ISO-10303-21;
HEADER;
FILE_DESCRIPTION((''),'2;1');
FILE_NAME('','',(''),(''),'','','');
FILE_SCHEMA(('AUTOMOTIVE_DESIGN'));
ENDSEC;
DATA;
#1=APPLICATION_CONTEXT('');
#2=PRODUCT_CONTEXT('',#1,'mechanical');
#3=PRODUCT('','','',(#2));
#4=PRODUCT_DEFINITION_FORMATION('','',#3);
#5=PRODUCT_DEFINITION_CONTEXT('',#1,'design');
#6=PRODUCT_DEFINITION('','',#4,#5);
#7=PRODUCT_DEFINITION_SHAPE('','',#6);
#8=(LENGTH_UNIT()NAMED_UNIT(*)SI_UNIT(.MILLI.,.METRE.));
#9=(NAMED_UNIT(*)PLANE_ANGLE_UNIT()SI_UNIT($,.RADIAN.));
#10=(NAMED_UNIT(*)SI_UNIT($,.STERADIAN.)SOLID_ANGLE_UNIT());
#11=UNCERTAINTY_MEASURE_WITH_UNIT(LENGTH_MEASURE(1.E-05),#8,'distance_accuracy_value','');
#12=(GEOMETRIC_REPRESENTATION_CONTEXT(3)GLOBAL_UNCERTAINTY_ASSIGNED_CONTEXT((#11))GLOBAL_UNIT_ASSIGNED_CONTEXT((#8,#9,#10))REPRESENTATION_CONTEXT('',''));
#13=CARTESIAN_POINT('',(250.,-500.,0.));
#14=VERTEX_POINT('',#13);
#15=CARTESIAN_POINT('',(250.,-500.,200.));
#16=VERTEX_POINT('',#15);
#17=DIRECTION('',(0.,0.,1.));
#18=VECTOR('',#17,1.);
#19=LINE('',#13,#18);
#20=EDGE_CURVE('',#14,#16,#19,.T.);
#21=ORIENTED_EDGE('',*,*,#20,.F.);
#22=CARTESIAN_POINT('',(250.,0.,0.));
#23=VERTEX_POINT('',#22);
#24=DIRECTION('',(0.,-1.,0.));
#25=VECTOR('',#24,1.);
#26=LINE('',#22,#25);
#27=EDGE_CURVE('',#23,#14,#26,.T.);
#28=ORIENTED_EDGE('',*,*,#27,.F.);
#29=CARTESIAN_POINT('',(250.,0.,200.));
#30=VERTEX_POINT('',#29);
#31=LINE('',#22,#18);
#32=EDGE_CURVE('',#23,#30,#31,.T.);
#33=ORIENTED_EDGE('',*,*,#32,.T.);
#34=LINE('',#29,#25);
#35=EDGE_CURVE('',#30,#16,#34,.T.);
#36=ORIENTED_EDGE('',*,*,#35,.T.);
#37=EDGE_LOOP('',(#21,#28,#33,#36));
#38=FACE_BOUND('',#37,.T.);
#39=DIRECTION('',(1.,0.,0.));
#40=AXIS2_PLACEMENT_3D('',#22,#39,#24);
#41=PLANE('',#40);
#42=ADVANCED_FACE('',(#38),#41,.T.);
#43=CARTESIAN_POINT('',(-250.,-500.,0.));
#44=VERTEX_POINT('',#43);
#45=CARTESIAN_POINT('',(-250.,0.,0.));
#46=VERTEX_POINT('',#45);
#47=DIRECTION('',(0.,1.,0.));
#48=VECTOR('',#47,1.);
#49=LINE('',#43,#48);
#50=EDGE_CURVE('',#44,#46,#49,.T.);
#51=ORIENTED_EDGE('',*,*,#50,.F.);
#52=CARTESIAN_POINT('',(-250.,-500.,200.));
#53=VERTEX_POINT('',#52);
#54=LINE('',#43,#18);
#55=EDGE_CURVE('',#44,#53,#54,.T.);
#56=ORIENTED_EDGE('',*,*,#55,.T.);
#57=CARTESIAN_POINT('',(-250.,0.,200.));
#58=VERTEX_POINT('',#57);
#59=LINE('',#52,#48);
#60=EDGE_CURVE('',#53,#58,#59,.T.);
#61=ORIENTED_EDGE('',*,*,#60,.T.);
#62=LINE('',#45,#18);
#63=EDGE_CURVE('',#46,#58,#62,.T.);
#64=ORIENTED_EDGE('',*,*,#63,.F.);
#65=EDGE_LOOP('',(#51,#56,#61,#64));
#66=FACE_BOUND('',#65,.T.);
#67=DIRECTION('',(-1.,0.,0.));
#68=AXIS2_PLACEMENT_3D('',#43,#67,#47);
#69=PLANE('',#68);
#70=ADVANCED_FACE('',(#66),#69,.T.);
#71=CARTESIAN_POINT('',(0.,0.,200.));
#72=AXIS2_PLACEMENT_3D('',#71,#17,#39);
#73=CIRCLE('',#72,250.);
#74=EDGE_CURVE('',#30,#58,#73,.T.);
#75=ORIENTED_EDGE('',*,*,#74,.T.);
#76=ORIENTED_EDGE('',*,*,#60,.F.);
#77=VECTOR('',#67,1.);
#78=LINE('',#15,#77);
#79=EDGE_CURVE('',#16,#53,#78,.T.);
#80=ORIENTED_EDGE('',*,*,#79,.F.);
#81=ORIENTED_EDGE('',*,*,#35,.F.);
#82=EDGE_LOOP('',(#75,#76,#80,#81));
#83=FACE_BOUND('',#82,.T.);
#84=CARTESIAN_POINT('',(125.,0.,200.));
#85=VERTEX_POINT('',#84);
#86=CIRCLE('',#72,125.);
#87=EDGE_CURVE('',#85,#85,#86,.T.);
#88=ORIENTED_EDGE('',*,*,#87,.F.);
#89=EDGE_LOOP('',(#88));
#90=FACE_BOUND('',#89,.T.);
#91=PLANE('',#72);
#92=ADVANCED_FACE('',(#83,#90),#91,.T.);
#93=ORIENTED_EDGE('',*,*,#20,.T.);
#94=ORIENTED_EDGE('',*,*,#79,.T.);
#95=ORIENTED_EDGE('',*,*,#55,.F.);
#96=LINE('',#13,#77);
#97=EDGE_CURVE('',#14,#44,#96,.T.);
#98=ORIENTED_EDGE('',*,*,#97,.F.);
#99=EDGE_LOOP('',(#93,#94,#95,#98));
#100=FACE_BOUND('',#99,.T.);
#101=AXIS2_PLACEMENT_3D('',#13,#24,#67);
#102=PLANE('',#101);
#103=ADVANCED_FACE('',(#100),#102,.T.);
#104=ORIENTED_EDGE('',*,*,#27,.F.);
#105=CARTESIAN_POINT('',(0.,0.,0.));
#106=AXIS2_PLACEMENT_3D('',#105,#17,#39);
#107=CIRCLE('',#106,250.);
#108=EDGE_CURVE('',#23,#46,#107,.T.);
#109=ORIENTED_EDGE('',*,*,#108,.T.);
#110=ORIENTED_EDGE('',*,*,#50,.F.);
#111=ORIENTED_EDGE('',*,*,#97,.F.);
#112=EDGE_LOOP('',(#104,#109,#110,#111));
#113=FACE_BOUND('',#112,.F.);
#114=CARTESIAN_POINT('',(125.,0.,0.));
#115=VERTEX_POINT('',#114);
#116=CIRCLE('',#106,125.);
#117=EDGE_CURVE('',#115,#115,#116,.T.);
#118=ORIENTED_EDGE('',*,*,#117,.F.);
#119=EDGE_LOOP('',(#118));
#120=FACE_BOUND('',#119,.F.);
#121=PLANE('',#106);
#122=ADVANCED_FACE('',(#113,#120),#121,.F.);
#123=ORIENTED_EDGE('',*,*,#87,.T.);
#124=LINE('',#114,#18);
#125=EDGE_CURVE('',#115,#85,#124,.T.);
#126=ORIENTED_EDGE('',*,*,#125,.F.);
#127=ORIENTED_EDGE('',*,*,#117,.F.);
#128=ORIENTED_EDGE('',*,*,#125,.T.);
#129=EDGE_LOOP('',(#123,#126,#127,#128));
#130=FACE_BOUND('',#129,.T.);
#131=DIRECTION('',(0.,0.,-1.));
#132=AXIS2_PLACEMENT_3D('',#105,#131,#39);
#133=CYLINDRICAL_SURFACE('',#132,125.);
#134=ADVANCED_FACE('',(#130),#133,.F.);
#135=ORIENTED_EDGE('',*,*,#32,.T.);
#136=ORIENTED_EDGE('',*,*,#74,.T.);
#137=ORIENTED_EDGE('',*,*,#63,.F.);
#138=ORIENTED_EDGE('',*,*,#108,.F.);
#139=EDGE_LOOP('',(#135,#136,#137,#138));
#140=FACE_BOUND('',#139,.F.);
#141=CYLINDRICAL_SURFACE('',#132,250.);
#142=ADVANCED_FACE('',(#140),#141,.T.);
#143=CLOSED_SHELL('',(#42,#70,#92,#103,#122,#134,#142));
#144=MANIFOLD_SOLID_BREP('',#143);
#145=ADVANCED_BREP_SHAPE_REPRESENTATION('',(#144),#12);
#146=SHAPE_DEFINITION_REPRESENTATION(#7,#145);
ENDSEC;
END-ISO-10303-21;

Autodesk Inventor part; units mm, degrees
ref_plane "YZ Plane" through (0, 0, 0) normal (1, 0, 0) x (0, 1, 0)
ref_plane "XZ Plane" through (0, 0, 0) normal (0, 1, 0) x (-1, 0, 0)
ref_plane "XY Plane" through (0, 0, 0) normal (0, 0, 1) x (1, 0, 0)
sketch "Boceto2" plane through (0, 0, 0) normal (0, 0, 1) x (1, 0, 0)
  circle A0 centre (0, 0) radius 250
  circle A1 centre (0, 0) radius 125
  line L0 (250, 0) -> (250, -500)
  line L1 (250, -500) -> (-250, -500)
  line L2 (-250, -500) -> (-250, 0)
  dimension "d7" = 500
  dimension "d8" = 250
  dimension "d9" = 500
  dimension "d10" = 500
extrude "Extrusión2" add sketch "Boceto2" along normal blind 200
properties part number "SUJECION_BALSA_UNDIMOTRIZ"
